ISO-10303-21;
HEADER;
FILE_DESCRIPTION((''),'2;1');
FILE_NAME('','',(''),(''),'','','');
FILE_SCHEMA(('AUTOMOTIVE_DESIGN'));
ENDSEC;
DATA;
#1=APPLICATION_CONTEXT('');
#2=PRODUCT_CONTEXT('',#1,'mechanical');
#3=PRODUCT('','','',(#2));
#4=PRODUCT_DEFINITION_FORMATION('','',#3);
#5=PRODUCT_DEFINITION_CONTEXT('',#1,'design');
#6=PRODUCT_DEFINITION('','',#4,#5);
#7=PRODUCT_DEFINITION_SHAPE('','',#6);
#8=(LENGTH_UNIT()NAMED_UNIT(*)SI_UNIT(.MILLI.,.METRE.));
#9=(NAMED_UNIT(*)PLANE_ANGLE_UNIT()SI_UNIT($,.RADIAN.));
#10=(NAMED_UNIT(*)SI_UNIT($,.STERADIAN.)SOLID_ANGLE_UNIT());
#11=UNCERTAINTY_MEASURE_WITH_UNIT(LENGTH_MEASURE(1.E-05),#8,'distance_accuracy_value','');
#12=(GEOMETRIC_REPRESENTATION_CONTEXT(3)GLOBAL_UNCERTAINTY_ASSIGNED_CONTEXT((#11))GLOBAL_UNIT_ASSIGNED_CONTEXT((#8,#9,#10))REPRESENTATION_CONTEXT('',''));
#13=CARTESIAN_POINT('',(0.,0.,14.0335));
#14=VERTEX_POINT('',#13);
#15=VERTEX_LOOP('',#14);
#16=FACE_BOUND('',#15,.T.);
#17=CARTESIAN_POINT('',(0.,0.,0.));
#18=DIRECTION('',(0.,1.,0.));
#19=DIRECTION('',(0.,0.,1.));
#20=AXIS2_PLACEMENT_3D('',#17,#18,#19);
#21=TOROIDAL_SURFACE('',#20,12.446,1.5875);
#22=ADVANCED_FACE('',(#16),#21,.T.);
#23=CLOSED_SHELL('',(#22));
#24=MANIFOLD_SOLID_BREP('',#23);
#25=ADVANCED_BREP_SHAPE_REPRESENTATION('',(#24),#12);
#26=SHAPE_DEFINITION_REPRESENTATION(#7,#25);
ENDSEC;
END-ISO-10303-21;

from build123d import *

# Parameters (mm, degrees)
SKETCH2_R = 1.5875


with BuildPart() as part:
    # Sketch2 → Revolve1 (revolve)
    with BuildSketch(Plane.XY, mode=Mode.PRIVATE) as revolve1_sk:
        with Locations((12.446, 0)):
            Circle(SKETCH2_R)
    revolve(revolve1_sk.sketch.rotate(Axis((0, 38.796218831, 0), (0, -1, 0)), 90), axis=Axis((0, 38.796218831, 0), (0, -1, 0)))


solid = part.part
